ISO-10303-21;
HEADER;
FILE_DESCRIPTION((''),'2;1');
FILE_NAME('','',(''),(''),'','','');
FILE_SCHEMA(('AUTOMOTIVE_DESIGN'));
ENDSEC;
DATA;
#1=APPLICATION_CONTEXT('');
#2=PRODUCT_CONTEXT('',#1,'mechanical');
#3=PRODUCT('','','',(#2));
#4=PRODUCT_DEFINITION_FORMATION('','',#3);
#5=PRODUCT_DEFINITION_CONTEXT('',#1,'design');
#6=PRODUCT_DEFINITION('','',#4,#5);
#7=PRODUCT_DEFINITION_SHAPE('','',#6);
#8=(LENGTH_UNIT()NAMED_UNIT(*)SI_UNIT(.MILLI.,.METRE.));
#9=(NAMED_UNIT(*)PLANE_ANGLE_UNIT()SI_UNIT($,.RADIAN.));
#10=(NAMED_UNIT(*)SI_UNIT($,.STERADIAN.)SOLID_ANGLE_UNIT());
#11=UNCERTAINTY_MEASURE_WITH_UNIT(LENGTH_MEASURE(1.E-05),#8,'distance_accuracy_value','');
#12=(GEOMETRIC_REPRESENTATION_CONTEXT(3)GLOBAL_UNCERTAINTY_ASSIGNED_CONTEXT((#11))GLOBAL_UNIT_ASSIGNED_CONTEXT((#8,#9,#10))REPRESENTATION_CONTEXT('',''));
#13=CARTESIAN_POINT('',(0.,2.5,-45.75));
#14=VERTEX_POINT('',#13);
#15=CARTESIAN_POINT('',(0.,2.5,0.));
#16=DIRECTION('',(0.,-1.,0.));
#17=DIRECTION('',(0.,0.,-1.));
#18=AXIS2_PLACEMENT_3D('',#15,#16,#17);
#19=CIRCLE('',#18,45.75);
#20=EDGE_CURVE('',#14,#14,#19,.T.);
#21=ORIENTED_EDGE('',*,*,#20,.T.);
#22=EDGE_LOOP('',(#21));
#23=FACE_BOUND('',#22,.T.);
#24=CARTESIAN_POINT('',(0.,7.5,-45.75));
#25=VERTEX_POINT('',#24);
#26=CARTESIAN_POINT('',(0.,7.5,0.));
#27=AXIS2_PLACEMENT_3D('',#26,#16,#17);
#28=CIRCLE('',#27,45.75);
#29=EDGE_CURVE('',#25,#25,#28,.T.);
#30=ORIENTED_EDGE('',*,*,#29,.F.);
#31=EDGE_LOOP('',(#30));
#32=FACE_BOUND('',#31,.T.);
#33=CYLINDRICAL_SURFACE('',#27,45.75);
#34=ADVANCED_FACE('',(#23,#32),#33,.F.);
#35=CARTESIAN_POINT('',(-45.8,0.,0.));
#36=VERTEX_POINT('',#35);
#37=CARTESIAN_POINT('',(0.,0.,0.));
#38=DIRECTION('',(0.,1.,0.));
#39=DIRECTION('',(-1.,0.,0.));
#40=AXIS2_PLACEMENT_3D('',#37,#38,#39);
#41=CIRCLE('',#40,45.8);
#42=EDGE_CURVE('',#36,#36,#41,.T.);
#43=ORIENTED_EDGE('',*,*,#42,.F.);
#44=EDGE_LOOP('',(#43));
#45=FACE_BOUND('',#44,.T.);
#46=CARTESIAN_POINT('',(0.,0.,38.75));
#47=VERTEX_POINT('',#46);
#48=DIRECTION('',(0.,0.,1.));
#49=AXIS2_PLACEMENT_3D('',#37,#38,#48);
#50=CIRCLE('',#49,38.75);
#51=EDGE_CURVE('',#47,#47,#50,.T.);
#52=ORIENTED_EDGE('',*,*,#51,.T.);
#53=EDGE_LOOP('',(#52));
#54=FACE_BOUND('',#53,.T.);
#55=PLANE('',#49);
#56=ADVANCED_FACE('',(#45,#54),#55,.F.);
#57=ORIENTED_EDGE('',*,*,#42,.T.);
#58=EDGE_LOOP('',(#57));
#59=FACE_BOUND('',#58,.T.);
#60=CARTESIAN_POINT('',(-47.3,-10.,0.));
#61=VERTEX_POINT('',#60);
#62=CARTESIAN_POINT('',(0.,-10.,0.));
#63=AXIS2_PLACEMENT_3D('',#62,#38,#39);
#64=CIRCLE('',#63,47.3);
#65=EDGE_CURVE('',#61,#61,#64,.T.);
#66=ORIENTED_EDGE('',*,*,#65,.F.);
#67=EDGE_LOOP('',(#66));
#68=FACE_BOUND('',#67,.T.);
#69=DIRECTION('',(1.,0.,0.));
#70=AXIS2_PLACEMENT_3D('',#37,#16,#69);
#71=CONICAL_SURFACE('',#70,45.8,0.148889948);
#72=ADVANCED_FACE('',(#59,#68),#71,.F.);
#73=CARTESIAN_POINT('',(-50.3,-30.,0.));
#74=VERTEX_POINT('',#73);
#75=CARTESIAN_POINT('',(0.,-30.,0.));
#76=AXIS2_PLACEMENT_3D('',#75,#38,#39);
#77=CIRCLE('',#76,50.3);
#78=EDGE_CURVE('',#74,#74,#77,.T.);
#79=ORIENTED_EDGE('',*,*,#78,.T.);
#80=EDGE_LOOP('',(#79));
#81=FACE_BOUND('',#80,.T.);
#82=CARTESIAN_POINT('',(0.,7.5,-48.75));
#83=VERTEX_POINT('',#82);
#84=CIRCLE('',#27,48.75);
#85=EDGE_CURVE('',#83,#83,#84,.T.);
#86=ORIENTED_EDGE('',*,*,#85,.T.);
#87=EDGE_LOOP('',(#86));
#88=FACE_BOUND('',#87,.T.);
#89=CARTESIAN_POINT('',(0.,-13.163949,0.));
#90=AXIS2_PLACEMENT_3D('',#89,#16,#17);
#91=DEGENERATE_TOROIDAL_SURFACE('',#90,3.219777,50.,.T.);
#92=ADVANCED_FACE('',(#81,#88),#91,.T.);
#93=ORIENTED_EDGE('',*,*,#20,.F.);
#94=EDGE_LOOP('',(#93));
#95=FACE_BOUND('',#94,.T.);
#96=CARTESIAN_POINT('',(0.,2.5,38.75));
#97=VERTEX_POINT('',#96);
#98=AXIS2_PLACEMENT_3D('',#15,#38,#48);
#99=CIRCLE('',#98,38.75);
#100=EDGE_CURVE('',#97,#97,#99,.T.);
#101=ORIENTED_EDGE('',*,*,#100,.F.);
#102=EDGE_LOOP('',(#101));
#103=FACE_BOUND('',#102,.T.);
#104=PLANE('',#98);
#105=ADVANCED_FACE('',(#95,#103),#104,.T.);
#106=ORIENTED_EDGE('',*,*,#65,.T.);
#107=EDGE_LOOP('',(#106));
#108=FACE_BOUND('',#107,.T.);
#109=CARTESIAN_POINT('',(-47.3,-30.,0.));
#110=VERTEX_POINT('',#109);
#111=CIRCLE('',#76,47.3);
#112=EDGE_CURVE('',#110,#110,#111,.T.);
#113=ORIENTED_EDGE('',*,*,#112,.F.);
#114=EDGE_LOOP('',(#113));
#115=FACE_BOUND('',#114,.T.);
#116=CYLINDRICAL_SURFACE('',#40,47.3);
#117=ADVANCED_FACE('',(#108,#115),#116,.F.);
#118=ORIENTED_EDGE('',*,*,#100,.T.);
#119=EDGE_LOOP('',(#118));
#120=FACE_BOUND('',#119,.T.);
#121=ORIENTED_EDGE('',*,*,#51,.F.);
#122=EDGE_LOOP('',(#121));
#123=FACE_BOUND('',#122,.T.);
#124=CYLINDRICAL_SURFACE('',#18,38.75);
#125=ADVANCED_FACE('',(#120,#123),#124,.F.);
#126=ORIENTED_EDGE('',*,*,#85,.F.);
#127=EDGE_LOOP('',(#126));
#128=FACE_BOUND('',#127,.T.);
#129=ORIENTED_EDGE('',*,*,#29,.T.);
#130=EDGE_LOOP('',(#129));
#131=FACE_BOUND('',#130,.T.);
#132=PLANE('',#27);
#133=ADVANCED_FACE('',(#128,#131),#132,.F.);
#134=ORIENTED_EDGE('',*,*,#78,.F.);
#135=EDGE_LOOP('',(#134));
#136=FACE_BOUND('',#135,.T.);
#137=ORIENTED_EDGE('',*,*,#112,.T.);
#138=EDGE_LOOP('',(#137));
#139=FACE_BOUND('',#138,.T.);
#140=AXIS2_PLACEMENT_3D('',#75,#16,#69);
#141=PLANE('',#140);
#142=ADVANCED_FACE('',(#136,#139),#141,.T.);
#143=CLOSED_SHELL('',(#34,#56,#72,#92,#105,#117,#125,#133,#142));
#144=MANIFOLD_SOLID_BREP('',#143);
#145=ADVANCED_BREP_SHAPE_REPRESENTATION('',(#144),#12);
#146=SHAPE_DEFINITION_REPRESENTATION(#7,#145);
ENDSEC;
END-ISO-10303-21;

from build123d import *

# Parameters (mm, degrees)
SKETCH1_R           = 45.75
SKETCH1_R_2         = 38.75
BOSS_EXTRUDE1_DEPTH = 2.5
SKETCH3_R           = 48.75
SKETCH3_R_2         = 45.75
BOSS_EXTRUDE3_DEPTH = 5


with BuildPart() as part:
    # Sketch1 → Boss-Extrude1 (new body)
    with BuildSketch(Plane(origin=(0, 0, 0), x_dir=(1, 0, 0), z_dir=(0, 1, 0))):
        with Locations(Location((0, 0, 0), (0, 0, 270))):
            Circle(SKETCH1_R)
        with Locations(Location((0, 0, 0), (0, 0, 270))):
            Circle(SKETCH1_R_2, mode=Mode.SUBTRACT)
    extrude(amount=BOSS_EXTRUDE1_DEPTH)



with BuildPart() as body_2:
    # Sketch3 → Boss-Extrude3 (new body)
    with BuildSketch(Plane.XZ.offset(-2.5)):
        with Locations(Location((0, 0, 0), (0, 0, 270))):
            Circle(SKETCH3_R)
        with Locations(Location((0, 0, 0), (0, 0, 90))):
            Circle(SKETCH3_R_2, mode=Mode.SUBTRACT)
    extrude(amount=-BOSS_EXTRUDE3_DEPTH)


with BuildPart() as part_1:
    add(part.part)

    add(body_2.part)  # Revolve1 merges body 2
    # Sketch5 → Revolve1 (revolve)
    with BuildSketch(Plane.XY):
        Polygon((-45.8, 0), (-47.3, -10), (-47.3, -30), (-50.3, -30), (-50.3, -9.776251584), (-48.766809059, 0.445021359), (-48.766809059, 2.5), (-45.8, 2.5), (-45.73, 2.5), (-45.73, 0), align=None)
    revolve(axis=Axis((0, 0, 0), (0, -1, 0)))

    # Sketch8 → Revolve2 (revolve)
    with BuildSketch(Plane.XY, mode=Mode.PRIVATE) as revolve2_sk:
        with BuildLine():
            Line((-48.75, 7.5), (-48.75, 2.5))
            Line((-48.75, 2.5), (-48.766809059, 2.5))
            Line((-48.766809059, 2.5), (-48.766809059, 0.445021359))
            Line((-48.766809059, 0.445021359), (-50.3, -9.776251584))
            Line((-50.3, -9.776251584), (-50.3, -30))
            ThreePointArc((-50.3, -30), (-53.177120578, -11.099045683), (-48.75, 7.5))
        make_face()
    revolve(revolve2_sk.sketch.rotate(Axis((0, 0, 0), (0, 1, 0)), 270), axis=Axis((0, 0, 0), (0, 1, 0)))


solid = part_1.part
